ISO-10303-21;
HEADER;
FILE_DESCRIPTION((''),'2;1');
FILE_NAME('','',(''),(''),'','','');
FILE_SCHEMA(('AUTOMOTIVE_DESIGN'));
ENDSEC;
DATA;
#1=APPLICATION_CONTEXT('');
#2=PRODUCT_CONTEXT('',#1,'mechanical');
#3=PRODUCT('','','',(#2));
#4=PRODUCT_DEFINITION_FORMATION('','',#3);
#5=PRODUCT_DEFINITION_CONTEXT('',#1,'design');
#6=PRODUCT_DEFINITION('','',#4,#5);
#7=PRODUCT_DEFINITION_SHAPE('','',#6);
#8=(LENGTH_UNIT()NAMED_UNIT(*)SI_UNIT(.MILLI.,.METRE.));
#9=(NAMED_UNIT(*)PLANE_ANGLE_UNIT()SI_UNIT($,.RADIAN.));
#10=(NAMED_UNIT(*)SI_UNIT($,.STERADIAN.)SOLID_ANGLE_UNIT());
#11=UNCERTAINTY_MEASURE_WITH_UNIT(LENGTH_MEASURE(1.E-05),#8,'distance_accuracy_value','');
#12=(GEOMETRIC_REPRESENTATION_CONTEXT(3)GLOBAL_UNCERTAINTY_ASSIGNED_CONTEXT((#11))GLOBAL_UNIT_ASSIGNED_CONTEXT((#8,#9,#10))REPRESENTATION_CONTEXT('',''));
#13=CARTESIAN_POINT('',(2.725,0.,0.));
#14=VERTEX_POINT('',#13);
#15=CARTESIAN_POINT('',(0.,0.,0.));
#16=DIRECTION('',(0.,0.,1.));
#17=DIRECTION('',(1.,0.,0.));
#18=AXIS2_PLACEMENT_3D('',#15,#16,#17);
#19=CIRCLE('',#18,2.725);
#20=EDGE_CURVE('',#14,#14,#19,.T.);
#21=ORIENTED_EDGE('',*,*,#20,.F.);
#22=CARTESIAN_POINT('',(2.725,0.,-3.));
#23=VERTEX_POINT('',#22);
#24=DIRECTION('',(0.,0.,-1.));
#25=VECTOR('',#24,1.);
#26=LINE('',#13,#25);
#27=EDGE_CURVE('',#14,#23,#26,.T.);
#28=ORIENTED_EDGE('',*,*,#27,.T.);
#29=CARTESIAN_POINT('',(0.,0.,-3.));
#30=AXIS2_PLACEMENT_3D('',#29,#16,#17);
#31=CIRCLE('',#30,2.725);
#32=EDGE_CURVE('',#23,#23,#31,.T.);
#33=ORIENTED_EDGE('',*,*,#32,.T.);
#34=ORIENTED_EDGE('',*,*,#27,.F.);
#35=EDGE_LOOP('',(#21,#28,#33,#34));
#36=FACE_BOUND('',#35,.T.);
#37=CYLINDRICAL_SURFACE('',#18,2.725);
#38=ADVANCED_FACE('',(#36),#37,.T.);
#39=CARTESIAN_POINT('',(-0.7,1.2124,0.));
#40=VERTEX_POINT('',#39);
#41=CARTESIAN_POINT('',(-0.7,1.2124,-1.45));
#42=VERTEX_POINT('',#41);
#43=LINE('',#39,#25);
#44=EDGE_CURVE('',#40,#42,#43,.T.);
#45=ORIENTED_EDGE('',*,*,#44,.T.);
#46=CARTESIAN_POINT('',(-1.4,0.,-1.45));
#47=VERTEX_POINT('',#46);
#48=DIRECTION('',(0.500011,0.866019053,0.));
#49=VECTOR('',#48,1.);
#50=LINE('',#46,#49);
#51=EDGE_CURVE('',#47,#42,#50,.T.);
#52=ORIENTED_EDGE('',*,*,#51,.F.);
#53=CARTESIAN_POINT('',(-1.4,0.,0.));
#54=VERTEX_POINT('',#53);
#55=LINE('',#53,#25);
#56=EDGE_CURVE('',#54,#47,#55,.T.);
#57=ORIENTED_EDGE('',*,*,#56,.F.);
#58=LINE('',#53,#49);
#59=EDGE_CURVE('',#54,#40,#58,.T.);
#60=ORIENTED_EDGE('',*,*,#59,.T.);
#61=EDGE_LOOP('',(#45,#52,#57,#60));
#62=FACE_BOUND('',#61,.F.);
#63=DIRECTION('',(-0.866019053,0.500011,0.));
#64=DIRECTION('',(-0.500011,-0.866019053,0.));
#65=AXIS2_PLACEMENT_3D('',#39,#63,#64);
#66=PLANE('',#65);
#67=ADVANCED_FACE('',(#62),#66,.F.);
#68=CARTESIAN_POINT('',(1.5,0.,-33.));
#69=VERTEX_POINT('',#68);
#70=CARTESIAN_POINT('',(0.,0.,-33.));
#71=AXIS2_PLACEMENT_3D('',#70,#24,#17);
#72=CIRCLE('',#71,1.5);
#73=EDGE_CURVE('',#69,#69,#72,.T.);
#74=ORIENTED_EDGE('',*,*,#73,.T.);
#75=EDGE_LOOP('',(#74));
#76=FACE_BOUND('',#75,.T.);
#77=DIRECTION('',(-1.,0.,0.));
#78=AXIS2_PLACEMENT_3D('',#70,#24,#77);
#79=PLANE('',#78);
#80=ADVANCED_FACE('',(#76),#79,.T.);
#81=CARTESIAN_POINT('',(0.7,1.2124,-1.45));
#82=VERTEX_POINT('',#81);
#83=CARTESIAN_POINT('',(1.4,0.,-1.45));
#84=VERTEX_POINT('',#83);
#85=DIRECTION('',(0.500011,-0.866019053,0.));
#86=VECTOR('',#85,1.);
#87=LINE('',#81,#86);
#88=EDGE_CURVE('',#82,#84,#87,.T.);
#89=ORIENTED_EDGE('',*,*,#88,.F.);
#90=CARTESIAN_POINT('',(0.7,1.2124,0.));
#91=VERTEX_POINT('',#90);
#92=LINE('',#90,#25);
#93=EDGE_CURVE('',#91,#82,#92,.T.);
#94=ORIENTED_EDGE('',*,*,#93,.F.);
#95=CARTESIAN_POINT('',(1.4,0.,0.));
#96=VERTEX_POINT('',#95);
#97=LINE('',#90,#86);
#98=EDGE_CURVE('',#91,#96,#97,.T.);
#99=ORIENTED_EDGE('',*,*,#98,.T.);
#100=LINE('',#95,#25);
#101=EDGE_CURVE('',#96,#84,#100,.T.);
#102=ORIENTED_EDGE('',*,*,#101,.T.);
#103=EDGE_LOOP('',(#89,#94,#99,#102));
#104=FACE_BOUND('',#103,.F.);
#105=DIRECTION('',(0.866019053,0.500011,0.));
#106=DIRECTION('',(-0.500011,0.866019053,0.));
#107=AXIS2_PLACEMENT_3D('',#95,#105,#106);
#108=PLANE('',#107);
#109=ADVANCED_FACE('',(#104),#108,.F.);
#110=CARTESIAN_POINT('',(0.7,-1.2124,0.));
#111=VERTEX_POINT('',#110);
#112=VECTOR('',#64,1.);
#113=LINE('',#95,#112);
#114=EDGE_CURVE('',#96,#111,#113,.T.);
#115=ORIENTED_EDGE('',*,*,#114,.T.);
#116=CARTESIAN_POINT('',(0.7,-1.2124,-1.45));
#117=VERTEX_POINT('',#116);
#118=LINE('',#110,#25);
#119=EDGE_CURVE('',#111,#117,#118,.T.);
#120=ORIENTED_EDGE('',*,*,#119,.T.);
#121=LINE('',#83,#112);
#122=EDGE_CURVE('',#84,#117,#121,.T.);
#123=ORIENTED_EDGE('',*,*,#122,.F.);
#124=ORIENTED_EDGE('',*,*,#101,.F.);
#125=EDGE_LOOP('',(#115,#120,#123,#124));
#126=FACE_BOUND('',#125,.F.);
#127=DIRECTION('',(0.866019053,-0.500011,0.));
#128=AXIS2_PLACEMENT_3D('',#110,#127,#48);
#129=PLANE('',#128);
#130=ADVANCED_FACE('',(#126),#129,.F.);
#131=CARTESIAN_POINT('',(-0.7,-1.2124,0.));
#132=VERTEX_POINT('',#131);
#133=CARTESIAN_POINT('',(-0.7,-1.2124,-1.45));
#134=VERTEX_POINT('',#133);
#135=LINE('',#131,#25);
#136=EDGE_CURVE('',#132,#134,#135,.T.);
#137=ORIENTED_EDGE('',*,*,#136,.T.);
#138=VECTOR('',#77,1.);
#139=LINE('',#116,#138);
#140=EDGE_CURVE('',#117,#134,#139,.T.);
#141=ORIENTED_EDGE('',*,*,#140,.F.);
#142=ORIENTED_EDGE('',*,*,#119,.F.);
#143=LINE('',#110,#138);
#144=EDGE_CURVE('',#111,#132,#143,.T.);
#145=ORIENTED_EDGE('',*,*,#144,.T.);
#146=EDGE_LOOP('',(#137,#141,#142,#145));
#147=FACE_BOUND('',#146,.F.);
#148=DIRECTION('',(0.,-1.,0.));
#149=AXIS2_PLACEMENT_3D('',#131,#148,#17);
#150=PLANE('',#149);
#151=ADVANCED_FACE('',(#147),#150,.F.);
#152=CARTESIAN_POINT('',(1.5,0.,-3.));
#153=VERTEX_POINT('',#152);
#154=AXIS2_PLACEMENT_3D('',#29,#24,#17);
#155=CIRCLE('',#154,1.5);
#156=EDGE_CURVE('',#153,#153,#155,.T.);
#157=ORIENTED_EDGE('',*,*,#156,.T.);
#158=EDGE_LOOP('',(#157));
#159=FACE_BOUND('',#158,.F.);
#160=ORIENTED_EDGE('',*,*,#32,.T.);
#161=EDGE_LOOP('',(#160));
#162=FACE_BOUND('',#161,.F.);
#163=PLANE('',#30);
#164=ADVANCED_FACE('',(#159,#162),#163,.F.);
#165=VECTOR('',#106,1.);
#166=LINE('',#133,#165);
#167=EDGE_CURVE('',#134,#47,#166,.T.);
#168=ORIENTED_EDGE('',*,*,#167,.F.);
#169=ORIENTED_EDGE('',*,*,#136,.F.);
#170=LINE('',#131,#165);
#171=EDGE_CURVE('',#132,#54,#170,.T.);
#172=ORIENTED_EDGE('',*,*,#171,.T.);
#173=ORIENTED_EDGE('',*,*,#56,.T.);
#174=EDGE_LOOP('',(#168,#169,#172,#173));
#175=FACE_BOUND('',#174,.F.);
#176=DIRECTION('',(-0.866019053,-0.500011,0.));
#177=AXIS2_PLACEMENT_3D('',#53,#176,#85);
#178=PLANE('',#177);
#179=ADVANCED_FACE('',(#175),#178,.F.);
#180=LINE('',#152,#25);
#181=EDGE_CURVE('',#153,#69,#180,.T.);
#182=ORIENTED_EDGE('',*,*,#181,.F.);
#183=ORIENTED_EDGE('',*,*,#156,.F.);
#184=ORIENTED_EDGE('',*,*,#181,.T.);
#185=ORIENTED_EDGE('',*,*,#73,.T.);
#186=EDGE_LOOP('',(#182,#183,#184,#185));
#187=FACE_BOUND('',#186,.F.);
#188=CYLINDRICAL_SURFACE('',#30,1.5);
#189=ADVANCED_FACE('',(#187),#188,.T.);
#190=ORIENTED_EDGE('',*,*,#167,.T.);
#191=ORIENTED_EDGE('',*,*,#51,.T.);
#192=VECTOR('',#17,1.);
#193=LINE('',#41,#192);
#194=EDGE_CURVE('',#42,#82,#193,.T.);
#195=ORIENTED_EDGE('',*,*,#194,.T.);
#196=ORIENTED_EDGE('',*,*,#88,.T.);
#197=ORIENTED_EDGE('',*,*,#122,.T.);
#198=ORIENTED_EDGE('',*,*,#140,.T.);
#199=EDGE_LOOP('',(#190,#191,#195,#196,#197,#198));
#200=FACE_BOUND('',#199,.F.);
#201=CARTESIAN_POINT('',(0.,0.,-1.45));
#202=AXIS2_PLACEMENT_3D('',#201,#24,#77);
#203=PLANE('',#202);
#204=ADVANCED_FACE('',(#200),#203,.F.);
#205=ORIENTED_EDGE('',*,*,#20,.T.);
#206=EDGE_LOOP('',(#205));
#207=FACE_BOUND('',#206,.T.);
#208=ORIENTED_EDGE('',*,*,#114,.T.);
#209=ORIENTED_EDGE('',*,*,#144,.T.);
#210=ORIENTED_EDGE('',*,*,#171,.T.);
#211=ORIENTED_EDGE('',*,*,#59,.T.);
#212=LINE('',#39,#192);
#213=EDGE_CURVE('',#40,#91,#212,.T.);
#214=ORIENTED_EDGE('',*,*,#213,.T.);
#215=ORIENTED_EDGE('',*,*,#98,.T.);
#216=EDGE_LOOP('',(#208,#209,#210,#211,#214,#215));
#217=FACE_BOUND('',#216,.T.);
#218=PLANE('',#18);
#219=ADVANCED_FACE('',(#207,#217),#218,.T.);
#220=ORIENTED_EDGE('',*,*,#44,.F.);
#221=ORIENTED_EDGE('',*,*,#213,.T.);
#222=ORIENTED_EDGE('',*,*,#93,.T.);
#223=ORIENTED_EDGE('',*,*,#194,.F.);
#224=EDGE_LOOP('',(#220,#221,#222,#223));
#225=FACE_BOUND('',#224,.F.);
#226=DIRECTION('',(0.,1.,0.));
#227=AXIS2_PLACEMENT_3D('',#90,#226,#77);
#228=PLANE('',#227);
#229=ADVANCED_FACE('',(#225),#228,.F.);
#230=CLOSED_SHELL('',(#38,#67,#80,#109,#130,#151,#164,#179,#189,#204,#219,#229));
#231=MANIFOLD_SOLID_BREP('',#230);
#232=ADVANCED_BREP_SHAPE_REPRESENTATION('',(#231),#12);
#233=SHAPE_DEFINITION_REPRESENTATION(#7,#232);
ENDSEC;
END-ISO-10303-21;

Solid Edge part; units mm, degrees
sketch "Sketch1" plane through (0, 0, 0) normal (0, 0, 1) x (1, 0, 0)
  circle A0 centre (0, 0) radius 2.725
extrude "Protrusion1" add sketch "Sketch1" against normal blind 3
sketch "Sketch2" plane through (0, 0, 0) normal (0, 0, 1) x (1, 0, 0)
  line L0 (-0.7, -1.2124) -> (-1.05, -0.6062)
  line L1 (-1.4, 0) -> (-1.05, -0.6062)
  line L2 (-1.4, 0) -> (-1.05, 0.6062)
  line L3 (-0.7, 1.2124) -> (-1.05, 0.6062)
  line L4 (-0.7, 1.2124) -> (0, 1.2124)
  line L5 (0.7, 1.2124) -> (0, 1.2124)
  line L6 (0.7, 1.2124) -> (1.05, 0.6062)
  line L7 (1.4, 0) -> (1.05, 0.6062)
  line L8 (1.4, 0) -> (1.05, -0.6062)
  line L9 (0.7, -1.2124) -> (1.05, -0.6062)
  line L10 (0.7, -1.2124) -> (0, -1.2124)
  line L11 (-0.7, -1.2124) -> (0, -1.2124)
extrude "ExtrudedCutout_1" cut sketch "Sketch2" against normal blind 1.45
sketch "Sketch3" plane through (0, 0, -3) normal (0, 0, -1) x (1, 0, 0)
  circle A0 centre (0, 0) radius 1.5
extrude "ExtrudedProtrusion_2" add sketch "Sketch3" along normal blind 30
cosmetic_thread "Thread_2" size "M3" thread depth 17
